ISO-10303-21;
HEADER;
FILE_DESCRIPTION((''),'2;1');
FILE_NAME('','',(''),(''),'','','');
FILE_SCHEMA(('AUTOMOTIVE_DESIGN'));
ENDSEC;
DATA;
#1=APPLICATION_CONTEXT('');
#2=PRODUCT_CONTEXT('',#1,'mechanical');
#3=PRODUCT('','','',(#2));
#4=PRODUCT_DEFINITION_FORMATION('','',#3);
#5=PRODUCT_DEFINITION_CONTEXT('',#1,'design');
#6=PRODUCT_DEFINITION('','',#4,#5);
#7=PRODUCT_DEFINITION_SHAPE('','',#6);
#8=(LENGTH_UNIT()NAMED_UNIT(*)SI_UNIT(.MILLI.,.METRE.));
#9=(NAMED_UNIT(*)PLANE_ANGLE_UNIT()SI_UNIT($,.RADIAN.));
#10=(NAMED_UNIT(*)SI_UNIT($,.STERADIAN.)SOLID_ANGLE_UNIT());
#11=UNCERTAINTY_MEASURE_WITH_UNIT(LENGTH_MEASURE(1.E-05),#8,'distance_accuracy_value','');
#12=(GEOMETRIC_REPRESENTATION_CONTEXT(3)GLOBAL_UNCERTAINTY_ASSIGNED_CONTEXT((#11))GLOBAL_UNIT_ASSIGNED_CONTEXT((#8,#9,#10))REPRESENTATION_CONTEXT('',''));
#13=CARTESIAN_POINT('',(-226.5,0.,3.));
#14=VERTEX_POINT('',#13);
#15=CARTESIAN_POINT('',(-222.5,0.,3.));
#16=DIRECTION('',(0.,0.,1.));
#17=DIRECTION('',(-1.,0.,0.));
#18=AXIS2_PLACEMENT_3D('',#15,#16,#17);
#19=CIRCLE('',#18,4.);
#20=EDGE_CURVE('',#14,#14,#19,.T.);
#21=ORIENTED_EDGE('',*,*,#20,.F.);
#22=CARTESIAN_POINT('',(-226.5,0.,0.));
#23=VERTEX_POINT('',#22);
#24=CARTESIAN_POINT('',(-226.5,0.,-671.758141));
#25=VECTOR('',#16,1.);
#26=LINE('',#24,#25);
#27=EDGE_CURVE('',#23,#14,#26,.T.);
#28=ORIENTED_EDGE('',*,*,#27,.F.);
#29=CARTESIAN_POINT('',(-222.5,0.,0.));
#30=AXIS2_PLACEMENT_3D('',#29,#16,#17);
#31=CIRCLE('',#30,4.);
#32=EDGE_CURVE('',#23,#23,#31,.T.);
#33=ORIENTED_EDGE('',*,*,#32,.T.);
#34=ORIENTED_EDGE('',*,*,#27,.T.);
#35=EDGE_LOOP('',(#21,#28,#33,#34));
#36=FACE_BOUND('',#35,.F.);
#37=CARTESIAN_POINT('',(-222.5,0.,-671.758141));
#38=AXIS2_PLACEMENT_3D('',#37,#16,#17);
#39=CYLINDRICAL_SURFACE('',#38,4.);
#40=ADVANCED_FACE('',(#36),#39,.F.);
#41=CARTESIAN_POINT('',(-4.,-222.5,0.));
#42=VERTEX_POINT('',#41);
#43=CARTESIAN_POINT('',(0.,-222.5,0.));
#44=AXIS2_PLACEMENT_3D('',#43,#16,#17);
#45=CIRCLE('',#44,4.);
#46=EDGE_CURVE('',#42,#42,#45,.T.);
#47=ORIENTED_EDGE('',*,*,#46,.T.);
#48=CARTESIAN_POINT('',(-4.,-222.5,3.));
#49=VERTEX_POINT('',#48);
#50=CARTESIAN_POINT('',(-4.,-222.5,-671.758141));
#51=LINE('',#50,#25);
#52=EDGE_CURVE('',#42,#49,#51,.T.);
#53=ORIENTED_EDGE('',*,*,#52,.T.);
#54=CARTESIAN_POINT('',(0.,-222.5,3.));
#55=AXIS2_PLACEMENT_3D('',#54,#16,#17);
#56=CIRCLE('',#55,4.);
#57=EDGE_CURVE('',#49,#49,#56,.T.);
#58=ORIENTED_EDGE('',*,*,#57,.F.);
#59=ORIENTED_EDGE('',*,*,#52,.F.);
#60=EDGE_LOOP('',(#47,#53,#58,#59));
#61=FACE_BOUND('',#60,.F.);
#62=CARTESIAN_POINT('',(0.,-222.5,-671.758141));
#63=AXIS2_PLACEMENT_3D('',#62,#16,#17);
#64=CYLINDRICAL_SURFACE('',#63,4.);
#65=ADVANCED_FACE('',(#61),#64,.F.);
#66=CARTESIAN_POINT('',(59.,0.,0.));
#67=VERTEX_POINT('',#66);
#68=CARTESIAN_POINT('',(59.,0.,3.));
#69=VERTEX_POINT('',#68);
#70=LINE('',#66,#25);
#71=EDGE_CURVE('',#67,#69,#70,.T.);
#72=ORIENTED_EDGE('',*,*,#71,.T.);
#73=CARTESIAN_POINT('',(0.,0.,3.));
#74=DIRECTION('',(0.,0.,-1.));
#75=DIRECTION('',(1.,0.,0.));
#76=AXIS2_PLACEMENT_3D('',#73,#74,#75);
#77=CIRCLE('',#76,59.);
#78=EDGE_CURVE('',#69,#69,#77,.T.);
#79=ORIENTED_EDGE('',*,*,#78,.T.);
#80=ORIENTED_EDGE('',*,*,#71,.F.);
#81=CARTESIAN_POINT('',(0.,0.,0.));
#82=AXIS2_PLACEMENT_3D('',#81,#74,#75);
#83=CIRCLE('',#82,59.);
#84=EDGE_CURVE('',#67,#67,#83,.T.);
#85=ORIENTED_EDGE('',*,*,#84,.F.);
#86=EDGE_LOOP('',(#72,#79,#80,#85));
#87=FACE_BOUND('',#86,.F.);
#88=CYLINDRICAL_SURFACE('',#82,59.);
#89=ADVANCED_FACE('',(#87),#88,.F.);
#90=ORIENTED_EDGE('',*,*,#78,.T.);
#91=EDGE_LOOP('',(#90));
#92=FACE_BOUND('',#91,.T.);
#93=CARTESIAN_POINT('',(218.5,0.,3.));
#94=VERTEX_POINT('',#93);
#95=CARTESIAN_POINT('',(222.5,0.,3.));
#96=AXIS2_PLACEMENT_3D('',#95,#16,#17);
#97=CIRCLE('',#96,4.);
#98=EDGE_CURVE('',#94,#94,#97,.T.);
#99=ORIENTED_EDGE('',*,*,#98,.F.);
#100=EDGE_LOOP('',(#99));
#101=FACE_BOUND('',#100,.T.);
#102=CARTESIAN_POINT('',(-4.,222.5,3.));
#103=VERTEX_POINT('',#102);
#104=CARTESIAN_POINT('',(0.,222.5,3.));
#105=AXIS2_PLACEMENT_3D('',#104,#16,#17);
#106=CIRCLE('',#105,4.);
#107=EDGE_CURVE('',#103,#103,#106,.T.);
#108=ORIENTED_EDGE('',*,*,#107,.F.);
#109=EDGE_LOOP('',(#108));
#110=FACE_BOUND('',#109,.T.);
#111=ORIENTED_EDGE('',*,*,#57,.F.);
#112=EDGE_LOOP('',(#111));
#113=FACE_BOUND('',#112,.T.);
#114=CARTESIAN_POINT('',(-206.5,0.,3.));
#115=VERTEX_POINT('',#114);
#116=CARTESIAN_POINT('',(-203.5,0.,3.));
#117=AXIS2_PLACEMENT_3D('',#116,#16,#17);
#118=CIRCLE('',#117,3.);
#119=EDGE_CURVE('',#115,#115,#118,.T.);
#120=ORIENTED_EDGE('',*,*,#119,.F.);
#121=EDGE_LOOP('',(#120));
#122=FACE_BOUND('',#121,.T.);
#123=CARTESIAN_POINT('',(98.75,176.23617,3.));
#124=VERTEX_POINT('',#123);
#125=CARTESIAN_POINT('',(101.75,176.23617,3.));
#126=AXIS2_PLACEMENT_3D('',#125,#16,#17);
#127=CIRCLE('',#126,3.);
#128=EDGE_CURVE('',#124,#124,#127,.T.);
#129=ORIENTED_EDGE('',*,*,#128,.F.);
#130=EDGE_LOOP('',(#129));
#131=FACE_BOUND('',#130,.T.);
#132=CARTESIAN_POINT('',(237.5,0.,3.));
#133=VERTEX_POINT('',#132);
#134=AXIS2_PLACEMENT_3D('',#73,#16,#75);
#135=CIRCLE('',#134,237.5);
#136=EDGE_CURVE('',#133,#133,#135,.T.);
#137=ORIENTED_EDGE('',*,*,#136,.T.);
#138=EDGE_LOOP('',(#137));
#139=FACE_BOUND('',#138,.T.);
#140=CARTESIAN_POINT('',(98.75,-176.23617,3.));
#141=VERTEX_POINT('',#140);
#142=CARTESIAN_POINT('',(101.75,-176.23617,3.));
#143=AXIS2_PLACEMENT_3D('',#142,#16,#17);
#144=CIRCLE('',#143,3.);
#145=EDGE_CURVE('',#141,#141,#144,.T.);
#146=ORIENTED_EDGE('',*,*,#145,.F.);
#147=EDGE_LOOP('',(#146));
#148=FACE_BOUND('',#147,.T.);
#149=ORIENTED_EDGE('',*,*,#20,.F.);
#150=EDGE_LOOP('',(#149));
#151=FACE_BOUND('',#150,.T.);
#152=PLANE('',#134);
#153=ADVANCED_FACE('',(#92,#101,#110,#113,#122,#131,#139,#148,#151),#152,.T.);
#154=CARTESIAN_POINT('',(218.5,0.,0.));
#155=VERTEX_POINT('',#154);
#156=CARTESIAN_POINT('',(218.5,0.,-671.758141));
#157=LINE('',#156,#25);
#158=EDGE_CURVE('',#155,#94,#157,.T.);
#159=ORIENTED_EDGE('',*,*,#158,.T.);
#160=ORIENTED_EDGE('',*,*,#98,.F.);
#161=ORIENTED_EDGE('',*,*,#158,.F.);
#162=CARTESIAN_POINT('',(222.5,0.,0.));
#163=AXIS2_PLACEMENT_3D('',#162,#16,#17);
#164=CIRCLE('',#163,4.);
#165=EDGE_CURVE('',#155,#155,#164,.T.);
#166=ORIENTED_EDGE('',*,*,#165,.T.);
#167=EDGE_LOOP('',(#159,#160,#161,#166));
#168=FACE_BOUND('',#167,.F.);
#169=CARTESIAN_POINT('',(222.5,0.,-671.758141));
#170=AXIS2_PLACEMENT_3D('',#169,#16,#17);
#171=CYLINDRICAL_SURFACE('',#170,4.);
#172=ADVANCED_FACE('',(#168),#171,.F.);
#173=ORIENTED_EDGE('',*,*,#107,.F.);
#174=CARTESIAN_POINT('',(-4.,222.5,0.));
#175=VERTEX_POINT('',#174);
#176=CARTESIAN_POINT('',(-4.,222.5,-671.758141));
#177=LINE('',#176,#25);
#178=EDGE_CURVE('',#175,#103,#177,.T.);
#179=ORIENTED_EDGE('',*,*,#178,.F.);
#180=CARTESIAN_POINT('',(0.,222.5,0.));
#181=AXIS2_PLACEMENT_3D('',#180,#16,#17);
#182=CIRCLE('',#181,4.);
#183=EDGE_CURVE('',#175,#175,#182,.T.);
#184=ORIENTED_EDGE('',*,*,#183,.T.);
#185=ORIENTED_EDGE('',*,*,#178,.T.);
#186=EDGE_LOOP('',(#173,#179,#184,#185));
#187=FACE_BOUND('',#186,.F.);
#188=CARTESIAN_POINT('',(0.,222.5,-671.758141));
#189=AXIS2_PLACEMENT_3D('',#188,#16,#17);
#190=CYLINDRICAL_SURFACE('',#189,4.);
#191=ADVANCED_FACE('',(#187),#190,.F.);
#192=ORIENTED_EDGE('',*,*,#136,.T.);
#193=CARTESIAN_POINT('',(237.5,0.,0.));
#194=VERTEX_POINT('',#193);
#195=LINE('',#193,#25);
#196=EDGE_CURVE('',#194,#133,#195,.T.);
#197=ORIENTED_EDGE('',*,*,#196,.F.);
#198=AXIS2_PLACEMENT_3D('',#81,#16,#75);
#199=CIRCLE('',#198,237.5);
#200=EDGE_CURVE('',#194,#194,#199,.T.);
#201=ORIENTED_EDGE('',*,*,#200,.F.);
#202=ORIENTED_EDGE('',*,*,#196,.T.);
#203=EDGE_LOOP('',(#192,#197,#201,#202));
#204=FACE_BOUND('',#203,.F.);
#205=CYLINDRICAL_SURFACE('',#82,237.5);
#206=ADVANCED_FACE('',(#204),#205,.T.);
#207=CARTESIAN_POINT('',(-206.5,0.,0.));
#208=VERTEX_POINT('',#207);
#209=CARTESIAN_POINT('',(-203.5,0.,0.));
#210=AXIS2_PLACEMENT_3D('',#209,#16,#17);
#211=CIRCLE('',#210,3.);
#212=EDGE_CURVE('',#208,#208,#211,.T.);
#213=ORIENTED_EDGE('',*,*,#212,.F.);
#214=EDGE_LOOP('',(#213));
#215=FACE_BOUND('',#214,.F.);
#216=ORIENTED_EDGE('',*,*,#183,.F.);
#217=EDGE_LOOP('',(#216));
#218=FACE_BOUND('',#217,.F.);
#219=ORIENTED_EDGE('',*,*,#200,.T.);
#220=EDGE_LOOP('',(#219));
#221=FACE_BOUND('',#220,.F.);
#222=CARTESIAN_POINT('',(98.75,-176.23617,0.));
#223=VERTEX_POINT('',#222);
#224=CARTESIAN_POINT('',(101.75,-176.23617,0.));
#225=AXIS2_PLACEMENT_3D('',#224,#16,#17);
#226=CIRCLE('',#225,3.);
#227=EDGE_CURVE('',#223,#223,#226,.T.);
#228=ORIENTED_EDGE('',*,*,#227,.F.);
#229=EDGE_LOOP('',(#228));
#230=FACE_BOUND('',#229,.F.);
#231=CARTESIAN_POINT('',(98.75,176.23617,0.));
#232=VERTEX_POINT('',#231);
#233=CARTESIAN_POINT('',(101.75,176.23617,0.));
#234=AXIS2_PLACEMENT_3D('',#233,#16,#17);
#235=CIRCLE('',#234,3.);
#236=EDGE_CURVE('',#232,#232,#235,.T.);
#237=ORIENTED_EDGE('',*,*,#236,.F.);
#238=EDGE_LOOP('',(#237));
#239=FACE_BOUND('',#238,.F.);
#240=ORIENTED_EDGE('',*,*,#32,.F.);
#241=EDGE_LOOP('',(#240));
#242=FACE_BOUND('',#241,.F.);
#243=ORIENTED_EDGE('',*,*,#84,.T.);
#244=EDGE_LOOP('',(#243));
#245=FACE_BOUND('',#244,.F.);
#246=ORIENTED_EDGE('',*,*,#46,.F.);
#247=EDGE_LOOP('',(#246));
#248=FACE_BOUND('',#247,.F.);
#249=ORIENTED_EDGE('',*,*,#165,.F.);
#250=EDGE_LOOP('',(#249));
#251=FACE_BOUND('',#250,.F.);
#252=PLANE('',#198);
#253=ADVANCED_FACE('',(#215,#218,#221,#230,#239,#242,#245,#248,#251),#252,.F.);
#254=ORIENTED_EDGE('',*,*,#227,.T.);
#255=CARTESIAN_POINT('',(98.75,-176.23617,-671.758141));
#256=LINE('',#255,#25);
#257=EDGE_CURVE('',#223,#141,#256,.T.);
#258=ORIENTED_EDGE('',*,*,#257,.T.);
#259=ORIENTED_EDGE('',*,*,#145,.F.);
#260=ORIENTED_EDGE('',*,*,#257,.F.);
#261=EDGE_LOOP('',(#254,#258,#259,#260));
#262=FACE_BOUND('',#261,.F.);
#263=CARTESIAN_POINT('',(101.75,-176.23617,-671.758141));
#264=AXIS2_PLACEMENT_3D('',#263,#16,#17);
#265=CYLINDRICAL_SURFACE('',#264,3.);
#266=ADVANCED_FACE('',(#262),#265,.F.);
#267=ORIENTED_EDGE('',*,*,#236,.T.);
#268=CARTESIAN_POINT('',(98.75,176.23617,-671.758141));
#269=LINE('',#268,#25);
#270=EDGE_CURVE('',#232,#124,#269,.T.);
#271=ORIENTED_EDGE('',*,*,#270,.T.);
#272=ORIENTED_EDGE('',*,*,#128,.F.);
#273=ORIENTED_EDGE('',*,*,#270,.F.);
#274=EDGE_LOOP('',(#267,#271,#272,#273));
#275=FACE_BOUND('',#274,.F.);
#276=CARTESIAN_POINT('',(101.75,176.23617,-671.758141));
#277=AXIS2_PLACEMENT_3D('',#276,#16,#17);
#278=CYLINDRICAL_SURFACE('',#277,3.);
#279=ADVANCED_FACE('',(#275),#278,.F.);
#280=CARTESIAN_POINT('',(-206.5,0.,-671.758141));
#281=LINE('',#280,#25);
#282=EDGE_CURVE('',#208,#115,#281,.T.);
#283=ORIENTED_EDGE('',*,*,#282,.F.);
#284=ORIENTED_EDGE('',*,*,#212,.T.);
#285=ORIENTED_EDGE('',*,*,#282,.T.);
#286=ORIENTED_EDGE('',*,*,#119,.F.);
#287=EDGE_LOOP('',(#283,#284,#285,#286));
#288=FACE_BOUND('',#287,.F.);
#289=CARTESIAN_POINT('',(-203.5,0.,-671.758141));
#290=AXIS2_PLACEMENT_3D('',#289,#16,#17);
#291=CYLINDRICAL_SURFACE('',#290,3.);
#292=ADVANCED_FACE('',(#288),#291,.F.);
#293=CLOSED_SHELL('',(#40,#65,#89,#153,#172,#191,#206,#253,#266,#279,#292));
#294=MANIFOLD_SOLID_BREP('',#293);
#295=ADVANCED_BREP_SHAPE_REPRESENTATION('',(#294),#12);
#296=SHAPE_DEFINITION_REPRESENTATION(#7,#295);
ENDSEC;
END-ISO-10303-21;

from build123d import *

# Parameters (mm, degrees)
F0_R     = 237.5
F1_DEPTH = 3
F2_D     = 8
F3_D     = 6


with BuildPart() as f1:
    # F0 (on Top) → F1 (new body)
    with BuildSketch(Plane.XY):
        with BuildLine():
            ThreePointArc((-59, 0), (0, -59), (59, 0))
            ThreePointArc((59, 0), (0, 59), (-59, 0))
        make_face()
        Circle(F0_R)
        with BuildLine():
            ThreePointArc((-59, 0), (0, 59), (59, 0))
            ThreePointArc((59, 0), (0, -59), (-59, 0))
        make_face(mode=Mode.SUBTRACT)
    extrude(amount=F1_DEPTH)

    # F2 (through all)
    with Locations(Plane(origin=(0, 0, 0), x_dir=(1, 0, 0), z_dir=(0, 0, -1))):
        with Locations((222.5, 0), (0, 222.5), (-222.5, 0), (0, -222.5)):
            Hole(F2_D / 2)

    # F3 (through all)
    with Locations(Plane(origin=(0, 0, 0), x_dir=(1, 0, 0), z_dir=(0, 0, -1))):
        with Locations((-203.5, 0), (101.75, 176.23617), (101.75, -176.23617)):
            Hole(F3_D / 2)


solid = f1.part
